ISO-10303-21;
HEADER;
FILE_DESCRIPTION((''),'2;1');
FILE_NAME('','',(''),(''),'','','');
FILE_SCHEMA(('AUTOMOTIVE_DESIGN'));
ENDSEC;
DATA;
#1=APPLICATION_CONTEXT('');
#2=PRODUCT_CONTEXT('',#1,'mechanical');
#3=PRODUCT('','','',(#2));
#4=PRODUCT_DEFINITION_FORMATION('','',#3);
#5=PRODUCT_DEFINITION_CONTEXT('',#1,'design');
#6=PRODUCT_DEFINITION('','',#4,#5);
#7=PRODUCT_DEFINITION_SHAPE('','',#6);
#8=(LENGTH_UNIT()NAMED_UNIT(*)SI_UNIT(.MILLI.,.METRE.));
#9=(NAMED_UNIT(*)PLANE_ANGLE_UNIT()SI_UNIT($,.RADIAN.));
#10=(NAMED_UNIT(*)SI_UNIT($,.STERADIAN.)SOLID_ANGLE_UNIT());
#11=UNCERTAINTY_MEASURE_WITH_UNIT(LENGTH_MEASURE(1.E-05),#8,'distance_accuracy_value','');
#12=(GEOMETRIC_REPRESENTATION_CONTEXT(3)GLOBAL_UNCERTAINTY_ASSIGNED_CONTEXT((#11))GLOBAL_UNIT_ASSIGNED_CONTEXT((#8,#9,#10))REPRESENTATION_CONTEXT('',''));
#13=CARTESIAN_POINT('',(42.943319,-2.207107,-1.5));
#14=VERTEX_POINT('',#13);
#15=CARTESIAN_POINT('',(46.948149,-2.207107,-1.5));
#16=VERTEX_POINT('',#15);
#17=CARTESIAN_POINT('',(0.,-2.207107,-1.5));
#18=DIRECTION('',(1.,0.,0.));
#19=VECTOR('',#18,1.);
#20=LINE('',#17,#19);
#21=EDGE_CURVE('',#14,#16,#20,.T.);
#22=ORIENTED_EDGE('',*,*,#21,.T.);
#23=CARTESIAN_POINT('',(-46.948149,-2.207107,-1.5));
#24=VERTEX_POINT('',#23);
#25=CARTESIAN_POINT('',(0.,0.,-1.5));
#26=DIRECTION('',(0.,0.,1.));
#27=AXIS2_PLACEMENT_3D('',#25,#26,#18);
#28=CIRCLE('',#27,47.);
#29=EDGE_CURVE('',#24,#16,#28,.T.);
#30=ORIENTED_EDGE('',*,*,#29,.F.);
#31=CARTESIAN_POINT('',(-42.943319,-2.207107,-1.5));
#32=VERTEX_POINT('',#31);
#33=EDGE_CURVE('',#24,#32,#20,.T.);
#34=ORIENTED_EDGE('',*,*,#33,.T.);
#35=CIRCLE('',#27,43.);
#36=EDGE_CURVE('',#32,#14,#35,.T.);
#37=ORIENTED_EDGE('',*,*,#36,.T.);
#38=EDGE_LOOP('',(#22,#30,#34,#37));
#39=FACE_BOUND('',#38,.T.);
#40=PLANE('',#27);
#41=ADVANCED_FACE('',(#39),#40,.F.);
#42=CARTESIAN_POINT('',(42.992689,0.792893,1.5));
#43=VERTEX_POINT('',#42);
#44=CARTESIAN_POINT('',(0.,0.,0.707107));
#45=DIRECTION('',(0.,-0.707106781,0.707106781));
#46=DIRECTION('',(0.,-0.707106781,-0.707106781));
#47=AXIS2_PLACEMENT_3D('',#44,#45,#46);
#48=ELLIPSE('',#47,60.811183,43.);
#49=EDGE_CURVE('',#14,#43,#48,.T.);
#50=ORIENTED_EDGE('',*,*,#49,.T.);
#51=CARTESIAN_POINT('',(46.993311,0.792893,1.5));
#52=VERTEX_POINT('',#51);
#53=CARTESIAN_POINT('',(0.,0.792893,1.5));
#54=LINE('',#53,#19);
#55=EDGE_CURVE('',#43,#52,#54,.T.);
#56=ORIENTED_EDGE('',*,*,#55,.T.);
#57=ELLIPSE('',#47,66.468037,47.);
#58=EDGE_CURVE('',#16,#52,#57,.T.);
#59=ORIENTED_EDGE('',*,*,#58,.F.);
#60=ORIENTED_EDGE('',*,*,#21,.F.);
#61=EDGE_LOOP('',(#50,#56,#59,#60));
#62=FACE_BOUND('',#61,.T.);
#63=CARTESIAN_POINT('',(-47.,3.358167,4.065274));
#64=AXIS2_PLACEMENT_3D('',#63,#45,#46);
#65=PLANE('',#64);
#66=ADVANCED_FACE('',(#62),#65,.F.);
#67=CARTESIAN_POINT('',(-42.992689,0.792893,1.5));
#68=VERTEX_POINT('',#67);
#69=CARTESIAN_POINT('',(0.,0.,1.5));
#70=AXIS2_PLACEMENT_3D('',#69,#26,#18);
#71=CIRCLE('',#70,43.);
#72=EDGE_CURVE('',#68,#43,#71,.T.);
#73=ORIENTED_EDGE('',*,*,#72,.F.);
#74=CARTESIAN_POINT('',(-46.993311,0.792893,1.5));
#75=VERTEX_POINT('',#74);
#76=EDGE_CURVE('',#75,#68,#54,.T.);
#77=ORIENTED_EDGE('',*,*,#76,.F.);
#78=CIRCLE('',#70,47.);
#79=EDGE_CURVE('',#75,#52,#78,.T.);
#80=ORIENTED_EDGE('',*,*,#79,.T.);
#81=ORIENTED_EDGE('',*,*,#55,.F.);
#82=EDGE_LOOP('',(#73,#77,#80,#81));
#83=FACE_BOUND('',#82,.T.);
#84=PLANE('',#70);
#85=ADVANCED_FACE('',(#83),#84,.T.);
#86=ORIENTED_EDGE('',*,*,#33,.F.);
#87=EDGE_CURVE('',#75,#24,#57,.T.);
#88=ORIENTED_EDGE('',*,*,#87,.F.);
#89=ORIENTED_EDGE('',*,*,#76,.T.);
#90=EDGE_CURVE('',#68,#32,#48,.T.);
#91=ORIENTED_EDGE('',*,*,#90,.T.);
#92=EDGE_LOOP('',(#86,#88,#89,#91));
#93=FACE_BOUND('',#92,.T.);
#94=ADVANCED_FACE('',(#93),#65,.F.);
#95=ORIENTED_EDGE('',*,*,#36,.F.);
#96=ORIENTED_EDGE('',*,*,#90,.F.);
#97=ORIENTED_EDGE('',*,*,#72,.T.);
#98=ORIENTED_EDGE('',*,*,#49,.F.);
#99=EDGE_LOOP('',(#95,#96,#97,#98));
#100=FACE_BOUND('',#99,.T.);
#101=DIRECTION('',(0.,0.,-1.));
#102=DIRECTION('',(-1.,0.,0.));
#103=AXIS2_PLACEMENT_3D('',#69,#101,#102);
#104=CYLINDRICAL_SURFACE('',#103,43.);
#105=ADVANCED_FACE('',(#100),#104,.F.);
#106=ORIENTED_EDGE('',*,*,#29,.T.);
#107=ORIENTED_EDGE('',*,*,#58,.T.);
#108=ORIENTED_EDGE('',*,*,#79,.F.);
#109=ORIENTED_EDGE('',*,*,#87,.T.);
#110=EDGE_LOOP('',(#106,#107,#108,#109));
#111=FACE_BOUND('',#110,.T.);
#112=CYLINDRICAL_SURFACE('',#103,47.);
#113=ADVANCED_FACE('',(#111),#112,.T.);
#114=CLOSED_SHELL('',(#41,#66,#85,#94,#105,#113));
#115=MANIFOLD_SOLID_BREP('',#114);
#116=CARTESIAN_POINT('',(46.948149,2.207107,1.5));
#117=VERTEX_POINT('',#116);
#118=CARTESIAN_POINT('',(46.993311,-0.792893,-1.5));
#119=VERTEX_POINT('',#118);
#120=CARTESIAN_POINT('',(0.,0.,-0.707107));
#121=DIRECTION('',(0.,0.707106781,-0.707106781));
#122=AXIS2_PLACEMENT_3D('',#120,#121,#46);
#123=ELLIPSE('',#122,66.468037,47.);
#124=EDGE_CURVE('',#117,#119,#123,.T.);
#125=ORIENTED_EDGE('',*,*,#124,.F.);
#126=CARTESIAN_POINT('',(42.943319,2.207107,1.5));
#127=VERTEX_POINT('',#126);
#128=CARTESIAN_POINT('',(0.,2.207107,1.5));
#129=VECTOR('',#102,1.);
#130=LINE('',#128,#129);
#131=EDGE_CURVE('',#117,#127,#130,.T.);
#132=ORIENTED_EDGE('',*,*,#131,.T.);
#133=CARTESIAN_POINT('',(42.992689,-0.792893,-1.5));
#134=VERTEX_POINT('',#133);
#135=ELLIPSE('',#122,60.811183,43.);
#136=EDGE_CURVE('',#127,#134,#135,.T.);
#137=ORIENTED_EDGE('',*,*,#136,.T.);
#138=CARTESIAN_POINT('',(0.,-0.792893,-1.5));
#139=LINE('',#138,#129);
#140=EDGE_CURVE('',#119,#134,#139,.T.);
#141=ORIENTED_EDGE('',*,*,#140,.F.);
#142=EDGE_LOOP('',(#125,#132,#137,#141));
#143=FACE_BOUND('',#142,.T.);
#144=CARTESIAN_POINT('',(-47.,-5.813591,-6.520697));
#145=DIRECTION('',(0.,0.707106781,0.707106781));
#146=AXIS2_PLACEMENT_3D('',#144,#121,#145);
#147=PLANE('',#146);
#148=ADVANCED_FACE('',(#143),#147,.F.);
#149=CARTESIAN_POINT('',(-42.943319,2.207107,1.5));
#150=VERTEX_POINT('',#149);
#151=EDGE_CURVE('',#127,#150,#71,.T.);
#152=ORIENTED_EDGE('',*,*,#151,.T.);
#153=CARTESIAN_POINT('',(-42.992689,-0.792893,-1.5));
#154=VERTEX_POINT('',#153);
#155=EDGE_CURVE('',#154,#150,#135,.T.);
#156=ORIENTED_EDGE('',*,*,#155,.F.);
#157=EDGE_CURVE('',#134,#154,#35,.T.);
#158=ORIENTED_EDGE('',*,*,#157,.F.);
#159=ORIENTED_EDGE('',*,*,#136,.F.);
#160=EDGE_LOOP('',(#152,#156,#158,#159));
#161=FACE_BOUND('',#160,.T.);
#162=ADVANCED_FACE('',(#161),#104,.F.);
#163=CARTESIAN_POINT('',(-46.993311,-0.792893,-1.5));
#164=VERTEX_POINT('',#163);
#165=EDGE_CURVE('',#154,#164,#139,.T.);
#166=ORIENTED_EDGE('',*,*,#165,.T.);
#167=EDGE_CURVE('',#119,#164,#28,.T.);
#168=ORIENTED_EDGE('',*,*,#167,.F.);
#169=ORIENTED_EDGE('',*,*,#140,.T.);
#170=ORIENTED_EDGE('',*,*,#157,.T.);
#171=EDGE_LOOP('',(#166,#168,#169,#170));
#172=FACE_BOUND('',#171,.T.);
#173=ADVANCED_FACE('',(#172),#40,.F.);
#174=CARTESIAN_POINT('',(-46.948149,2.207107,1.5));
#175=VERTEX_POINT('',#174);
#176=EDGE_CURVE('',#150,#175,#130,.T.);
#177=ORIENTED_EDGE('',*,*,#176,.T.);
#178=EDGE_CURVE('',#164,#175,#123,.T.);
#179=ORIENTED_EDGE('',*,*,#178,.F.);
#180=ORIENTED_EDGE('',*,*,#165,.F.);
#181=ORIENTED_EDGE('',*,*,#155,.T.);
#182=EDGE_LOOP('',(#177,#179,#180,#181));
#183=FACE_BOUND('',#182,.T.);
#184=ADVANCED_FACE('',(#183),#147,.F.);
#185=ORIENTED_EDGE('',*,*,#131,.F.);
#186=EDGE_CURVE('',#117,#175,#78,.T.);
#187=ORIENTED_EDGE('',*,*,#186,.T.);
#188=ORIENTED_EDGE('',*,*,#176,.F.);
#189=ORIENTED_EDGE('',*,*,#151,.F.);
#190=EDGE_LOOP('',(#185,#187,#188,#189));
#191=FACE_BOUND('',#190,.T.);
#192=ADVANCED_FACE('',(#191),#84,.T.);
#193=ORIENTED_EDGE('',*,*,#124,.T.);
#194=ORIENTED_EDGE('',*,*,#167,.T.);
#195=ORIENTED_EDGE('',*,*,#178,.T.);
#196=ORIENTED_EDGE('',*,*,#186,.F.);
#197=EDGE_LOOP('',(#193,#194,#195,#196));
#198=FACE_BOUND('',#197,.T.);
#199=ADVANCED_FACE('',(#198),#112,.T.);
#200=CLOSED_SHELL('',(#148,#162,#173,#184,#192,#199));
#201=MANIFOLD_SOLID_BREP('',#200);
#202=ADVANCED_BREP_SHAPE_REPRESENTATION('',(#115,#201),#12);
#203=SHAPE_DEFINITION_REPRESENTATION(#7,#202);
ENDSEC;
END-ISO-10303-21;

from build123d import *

# Parameters (mm, degrees)
SKETCH1_R               = 47
SKETCH1_R_2             = 43
BOSS_EXTRUDE1_DEPTH     = 1.5
CUT_EXTRUDE2_DEPTH      = 67.484960705
CUT_EXTRUDE2_DEPTH_BACK = 67.484960705


with BuildPart() as part:
    # Sketch1 → Boss-Extrude1 (new, symmetric)
    with BuildSketch(Plane.XY):
        Circle(SKETCH1_R)
        Circle(SKETCH1_R_2, mode=Mode.SUBTRACT)
    extrude(amount=BOSS_EXTRUDE1_DEPTH, both=True)

    # Sketch2 → Cut-Extrude2 (cut, two sides: drawn at the far end of the back side and taken through both)
    with BuildSketch(Plane(origin=(0, 0, 0), x_dir=(0, 0, -1), z_dir=(1, 0, 0)).offset(-CUT_EXTRUDE2_DEPTH_BACK)):
        Polygon((-4.065273559, 3.358166778), (5.813590619, -6.5206974), (6.5206974, -5.813590619), (-3.358166778, 4.065273559), align=None)
    extrude(amount=CUT_EXTRUDE2_DEPTH + CUT_EXTRUDE2_DEPTH_BACK, mode=Mode.SUBTRACT)


with BuildPart() as cut_extrude2_piece_1:
    # of the separate pieces the step leaves, piece 1, a body of its own (cut_extrude2_pieces)
    add(part.part.solids().sort_by_distance((46.993311443, 0.792893219, 1.5))[0])


with BuildPart() as cut_extrude2_piece_2:
    # of the separate pieces the step leaves, piece 2, a body of its own (cut_extrude2_pieces)
    add(part.part.solids().sort_by_distance((47, 0, -0.707106781))[0])


solid = Compound([cut_extrude2_piece_1.part, cut_extrude2_piece_2.part])
